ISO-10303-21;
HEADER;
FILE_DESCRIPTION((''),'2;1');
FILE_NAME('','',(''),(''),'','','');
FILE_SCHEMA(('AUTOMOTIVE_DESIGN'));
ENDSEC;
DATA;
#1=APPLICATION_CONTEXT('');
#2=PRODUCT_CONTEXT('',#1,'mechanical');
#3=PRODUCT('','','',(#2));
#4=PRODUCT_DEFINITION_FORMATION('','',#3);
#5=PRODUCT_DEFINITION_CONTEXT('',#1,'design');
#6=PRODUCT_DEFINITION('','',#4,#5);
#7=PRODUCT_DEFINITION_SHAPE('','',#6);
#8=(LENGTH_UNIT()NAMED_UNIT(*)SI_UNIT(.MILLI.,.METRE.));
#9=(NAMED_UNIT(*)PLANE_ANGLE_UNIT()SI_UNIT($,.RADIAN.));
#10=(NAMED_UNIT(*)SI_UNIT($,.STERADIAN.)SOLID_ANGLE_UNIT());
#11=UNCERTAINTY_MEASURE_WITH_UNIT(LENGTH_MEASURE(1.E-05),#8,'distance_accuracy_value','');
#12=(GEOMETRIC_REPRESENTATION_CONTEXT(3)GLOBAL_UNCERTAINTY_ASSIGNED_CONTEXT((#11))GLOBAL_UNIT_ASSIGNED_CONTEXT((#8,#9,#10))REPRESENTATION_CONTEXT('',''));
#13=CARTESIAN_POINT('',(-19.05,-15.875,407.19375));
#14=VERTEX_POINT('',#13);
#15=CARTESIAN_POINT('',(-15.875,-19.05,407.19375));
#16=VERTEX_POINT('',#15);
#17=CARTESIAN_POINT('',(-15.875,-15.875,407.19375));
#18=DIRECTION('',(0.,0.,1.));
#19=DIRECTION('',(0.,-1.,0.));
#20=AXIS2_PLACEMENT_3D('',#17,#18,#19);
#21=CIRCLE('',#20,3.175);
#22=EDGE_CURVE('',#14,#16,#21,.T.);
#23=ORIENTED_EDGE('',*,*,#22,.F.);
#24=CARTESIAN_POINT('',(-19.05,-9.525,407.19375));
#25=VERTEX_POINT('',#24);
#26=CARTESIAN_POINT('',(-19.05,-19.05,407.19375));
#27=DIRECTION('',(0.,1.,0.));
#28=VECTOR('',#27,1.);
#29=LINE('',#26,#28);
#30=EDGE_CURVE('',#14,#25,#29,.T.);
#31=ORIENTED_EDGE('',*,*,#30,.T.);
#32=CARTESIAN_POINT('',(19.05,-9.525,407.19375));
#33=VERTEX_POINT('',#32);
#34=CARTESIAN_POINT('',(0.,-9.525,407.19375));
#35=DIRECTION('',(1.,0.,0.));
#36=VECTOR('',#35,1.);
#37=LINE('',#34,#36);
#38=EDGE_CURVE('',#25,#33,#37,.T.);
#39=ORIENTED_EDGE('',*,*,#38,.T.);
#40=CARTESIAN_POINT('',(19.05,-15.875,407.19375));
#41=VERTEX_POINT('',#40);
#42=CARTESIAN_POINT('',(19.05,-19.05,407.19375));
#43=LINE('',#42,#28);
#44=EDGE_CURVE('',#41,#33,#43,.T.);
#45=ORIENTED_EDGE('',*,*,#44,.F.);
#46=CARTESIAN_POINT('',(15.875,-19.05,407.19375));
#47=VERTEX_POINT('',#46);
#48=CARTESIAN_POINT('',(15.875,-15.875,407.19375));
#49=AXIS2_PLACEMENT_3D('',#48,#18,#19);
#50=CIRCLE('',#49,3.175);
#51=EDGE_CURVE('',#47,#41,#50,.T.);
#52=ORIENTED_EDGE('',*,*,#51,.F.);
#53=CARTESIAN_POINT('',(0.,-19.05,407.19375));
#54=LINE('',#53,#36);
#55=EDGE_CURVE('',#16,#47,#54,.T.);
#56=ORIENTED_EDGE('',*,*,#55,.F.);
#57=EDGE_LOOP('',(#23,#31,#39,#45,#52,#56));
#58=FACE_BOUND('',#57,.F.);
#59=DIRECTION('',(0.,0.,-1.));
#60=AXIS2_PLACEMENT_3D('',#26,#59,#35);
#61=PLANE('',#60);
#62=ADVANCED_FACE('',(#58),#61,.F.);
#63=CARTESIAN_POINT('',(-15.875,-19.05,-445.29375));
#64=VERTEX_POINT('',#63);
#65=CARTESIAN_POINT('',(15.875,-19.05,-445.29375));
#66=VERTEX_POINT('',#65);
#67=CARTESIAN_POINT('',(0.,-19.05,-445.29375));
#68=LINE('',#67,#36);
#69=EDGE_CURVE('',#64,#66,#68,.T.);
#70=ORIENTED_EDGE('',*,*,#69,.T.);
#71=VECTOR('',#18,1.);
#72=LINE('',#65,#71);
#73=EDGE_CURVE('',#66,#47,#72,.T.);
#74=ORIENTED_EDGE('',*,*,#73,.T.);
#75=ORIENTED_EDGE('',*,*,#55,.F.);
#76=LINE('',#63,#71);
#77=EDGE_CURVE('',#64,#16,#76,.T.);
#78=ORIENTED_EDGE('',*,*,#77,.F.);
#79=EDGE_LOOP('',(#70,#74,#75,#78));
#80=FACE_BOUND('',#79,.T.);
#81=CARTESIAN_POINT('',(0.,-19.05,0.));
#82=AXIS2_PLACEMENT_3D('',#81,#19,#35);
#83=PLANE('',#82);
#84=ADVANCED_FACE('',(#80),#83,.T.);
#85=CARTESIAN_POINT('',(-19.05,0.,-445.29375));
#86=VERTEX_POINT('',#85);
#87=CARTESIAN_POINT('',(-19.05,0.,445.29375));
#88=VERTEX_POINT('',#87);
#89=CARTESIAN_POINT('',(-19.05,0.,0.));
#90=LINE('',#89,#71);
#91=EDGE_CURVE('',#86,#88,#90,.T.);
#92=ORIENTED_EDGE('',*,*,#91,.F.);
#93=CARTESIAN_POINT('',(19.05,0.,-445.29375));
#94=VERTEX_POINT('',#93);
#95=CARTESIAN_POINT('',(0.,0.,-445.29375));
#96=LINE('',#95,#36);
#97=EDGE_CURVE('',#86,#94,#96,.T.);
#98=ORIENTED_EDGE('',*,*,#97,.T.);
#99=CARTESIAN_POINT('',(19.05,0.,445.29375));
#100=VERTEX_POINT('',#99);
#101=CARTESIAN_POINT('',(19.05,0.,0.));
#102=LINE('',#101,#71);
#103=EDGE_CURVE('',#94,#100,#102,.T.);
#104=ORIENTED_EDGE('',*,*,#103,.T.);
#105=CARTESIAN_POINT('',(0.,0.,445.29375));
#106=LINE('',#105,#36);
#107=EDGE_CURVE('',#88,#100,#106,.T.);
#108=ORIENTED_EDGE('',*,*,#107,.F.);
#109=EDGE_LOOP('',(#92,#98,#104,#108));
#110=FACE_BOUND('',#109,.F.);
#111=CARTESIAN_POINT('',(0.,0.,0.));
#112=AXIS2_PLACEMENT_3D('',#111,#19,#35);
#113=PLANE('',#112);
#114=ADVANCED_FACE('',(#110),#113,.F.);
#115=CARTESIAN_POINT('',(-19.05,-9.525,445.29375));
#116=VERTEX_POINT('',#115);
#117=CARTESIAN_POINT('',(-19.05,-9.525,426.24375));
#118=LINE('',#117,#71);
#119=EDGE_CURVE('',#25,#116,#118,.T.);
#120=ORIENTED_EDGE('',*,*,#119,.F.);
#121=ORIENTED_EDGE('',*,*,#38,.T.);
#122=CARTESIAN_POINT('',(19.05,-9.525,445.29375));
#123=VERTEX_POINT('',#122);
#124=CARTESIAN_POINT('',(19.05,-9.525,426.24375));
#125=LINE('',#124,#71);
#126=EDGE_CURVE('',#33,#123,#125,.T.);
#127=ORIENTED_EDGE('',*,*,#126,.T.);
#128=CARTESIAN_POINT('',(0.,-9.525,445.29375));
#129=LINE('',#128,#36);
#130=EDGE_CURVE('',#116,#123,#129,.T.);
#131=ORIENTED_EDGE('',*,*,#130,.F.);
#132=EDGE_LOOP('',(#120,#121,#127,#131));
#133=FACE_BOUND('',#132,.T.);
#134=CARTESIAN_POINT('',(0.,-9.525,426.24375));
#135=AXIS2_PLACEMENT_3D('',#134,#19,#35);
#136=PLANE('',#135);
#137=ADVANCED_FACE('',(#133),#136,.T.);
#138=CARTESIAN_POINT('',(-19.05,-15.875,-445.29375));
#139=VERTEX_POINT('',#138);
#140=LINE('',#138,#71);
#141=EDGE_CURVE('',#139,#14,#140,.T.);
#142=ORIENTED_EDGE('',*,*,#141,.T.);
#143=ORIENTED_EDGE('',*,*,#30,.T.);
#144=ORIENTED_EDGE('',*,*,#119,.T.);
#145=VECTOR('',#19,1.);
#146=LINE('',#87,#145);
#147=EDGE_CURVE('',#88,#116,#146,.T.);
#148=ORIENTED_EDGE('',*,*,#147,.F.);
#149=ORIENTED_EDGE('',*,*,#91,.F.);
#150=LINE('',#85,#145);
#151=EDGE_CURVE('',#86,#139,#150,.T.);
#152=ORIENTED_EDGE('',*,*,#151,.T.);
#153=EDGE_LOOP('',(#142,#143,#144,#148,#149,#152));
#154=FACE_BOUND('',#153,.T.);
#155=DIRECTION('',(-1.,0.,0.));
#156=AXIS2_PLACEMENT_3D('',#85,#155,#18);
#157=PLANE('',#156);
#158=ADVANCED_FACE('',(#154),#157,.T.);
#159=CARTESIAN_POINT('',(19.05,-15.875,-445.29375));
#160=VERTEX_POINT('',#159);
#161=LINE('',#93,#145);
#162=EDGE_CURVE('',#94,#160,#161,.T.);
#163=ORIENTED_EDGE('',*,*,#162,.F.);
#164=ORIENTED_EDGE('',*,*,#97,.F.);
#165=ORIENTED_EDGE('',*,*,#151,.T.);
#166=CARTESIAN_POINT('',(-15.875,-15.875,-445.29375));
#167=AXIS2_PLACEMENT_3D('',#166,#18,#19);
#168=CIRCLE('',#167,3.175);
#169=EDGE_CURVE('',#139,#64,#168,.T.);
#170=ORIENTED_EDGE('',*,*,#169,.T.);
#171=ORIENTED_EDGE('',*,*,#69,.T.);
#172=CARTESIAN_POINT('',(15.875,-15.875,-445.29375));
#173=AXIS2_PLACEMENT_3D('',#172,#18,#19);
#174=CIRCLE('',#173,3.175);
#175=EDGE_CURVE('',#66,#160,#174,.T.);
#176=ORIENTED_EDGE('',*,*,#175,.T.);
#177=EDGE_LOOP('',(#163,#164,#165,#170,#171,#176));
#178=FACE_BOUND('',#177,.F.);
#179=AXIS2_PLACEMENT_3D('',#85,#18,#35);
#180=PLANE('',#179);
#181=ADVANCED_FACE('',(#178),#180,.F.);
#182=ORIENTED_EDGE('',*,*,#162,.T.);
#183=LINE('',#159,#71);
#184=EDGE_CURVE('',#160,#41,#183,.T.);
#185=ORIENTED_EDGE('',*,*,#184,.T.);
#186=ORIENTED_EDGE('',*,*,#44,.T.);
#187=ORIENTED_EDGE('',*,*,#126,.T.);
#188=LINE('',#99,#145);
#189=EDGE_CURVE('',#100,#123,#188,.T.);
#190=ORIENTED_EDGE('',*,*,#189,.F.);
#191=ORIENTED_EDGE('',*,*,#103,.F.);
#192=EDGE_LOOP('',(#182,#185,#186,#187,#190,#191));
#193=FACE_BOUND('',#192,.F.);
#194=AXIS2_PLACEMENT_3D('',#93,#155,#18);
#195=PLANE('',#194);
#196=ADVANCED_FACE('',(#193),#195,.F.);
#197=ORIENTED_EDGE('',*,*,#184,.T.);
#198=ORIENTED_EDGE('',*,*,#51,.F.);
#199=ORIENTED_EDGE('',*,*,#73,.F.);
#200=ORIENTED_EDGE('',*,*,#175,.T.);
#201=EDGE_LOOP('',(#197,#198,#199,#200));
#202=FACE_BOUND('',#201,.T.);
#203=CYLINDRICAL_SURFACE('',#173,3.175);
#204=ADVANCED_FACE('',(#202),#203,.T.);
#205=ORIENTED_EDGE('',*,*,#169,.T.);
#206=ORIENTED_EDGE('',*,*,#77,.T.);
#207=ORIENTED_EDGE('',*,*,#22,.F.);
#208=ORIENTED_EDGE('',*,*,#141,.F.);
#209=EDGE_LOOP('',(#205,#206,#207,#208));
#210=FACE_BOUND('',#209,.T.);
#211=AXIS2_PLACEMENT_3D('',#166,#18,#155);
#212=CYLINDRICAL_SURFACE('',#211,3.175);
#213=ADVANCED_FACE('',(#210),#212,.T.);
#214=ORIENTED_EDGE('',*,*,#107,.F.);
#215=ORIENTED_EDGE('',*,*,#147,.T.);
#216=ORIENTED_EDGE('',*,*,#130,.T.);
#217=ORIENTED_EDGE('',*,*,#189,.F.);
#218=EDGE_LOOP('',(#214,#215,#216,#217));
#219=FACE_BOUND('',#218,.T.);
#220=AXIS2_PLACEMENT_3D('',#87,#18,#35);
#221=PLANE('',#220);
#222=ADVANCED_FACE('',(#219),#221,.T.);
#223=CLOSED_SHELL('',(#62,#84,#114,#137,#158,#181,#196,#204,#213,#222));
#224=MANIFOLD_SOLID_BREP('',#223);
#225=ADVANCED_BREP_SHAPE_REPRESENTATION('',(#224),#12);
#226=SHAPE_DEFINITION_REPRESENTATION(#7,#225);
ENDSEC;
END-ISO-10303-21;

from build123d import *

# Parameters (mm, degrees)
F0_W     = 38.1
F0_H     = 890.5875
F1_DEPTH = 19.05
F2_W     = 38.1
F2_H     = 38.1
F3_DEPTH = 9.525
F4_R     = 3.175


with BuildPart() as f1:
    # F0 (on Front) → F1 (new body)
    with BuildSketch(Plane.XZ):
        Rectangle(F0_W, F0_H)
    extrude(amount=F1_DEPTH)

    # F2 (on face) → F3 (cut)
    with BuildSketch(Plane.XZ.offset(19.05)):
        with Locations((0, 426.24375)):
            Rectangle(F2_W, F2_H)
    extrude(amount=-F3_DEPTH, mode=Mode.SUBTRACT)

    # F4
    f4_edges = [f1.edges().sort_by_distance(p)[0] for p in [
        (-19.05, -19.05, -19.05),
        (19.05, -19.05, -19.05),
    ]]
    fillet(f4_edges, radius=F4_R)


solid = f1.part
